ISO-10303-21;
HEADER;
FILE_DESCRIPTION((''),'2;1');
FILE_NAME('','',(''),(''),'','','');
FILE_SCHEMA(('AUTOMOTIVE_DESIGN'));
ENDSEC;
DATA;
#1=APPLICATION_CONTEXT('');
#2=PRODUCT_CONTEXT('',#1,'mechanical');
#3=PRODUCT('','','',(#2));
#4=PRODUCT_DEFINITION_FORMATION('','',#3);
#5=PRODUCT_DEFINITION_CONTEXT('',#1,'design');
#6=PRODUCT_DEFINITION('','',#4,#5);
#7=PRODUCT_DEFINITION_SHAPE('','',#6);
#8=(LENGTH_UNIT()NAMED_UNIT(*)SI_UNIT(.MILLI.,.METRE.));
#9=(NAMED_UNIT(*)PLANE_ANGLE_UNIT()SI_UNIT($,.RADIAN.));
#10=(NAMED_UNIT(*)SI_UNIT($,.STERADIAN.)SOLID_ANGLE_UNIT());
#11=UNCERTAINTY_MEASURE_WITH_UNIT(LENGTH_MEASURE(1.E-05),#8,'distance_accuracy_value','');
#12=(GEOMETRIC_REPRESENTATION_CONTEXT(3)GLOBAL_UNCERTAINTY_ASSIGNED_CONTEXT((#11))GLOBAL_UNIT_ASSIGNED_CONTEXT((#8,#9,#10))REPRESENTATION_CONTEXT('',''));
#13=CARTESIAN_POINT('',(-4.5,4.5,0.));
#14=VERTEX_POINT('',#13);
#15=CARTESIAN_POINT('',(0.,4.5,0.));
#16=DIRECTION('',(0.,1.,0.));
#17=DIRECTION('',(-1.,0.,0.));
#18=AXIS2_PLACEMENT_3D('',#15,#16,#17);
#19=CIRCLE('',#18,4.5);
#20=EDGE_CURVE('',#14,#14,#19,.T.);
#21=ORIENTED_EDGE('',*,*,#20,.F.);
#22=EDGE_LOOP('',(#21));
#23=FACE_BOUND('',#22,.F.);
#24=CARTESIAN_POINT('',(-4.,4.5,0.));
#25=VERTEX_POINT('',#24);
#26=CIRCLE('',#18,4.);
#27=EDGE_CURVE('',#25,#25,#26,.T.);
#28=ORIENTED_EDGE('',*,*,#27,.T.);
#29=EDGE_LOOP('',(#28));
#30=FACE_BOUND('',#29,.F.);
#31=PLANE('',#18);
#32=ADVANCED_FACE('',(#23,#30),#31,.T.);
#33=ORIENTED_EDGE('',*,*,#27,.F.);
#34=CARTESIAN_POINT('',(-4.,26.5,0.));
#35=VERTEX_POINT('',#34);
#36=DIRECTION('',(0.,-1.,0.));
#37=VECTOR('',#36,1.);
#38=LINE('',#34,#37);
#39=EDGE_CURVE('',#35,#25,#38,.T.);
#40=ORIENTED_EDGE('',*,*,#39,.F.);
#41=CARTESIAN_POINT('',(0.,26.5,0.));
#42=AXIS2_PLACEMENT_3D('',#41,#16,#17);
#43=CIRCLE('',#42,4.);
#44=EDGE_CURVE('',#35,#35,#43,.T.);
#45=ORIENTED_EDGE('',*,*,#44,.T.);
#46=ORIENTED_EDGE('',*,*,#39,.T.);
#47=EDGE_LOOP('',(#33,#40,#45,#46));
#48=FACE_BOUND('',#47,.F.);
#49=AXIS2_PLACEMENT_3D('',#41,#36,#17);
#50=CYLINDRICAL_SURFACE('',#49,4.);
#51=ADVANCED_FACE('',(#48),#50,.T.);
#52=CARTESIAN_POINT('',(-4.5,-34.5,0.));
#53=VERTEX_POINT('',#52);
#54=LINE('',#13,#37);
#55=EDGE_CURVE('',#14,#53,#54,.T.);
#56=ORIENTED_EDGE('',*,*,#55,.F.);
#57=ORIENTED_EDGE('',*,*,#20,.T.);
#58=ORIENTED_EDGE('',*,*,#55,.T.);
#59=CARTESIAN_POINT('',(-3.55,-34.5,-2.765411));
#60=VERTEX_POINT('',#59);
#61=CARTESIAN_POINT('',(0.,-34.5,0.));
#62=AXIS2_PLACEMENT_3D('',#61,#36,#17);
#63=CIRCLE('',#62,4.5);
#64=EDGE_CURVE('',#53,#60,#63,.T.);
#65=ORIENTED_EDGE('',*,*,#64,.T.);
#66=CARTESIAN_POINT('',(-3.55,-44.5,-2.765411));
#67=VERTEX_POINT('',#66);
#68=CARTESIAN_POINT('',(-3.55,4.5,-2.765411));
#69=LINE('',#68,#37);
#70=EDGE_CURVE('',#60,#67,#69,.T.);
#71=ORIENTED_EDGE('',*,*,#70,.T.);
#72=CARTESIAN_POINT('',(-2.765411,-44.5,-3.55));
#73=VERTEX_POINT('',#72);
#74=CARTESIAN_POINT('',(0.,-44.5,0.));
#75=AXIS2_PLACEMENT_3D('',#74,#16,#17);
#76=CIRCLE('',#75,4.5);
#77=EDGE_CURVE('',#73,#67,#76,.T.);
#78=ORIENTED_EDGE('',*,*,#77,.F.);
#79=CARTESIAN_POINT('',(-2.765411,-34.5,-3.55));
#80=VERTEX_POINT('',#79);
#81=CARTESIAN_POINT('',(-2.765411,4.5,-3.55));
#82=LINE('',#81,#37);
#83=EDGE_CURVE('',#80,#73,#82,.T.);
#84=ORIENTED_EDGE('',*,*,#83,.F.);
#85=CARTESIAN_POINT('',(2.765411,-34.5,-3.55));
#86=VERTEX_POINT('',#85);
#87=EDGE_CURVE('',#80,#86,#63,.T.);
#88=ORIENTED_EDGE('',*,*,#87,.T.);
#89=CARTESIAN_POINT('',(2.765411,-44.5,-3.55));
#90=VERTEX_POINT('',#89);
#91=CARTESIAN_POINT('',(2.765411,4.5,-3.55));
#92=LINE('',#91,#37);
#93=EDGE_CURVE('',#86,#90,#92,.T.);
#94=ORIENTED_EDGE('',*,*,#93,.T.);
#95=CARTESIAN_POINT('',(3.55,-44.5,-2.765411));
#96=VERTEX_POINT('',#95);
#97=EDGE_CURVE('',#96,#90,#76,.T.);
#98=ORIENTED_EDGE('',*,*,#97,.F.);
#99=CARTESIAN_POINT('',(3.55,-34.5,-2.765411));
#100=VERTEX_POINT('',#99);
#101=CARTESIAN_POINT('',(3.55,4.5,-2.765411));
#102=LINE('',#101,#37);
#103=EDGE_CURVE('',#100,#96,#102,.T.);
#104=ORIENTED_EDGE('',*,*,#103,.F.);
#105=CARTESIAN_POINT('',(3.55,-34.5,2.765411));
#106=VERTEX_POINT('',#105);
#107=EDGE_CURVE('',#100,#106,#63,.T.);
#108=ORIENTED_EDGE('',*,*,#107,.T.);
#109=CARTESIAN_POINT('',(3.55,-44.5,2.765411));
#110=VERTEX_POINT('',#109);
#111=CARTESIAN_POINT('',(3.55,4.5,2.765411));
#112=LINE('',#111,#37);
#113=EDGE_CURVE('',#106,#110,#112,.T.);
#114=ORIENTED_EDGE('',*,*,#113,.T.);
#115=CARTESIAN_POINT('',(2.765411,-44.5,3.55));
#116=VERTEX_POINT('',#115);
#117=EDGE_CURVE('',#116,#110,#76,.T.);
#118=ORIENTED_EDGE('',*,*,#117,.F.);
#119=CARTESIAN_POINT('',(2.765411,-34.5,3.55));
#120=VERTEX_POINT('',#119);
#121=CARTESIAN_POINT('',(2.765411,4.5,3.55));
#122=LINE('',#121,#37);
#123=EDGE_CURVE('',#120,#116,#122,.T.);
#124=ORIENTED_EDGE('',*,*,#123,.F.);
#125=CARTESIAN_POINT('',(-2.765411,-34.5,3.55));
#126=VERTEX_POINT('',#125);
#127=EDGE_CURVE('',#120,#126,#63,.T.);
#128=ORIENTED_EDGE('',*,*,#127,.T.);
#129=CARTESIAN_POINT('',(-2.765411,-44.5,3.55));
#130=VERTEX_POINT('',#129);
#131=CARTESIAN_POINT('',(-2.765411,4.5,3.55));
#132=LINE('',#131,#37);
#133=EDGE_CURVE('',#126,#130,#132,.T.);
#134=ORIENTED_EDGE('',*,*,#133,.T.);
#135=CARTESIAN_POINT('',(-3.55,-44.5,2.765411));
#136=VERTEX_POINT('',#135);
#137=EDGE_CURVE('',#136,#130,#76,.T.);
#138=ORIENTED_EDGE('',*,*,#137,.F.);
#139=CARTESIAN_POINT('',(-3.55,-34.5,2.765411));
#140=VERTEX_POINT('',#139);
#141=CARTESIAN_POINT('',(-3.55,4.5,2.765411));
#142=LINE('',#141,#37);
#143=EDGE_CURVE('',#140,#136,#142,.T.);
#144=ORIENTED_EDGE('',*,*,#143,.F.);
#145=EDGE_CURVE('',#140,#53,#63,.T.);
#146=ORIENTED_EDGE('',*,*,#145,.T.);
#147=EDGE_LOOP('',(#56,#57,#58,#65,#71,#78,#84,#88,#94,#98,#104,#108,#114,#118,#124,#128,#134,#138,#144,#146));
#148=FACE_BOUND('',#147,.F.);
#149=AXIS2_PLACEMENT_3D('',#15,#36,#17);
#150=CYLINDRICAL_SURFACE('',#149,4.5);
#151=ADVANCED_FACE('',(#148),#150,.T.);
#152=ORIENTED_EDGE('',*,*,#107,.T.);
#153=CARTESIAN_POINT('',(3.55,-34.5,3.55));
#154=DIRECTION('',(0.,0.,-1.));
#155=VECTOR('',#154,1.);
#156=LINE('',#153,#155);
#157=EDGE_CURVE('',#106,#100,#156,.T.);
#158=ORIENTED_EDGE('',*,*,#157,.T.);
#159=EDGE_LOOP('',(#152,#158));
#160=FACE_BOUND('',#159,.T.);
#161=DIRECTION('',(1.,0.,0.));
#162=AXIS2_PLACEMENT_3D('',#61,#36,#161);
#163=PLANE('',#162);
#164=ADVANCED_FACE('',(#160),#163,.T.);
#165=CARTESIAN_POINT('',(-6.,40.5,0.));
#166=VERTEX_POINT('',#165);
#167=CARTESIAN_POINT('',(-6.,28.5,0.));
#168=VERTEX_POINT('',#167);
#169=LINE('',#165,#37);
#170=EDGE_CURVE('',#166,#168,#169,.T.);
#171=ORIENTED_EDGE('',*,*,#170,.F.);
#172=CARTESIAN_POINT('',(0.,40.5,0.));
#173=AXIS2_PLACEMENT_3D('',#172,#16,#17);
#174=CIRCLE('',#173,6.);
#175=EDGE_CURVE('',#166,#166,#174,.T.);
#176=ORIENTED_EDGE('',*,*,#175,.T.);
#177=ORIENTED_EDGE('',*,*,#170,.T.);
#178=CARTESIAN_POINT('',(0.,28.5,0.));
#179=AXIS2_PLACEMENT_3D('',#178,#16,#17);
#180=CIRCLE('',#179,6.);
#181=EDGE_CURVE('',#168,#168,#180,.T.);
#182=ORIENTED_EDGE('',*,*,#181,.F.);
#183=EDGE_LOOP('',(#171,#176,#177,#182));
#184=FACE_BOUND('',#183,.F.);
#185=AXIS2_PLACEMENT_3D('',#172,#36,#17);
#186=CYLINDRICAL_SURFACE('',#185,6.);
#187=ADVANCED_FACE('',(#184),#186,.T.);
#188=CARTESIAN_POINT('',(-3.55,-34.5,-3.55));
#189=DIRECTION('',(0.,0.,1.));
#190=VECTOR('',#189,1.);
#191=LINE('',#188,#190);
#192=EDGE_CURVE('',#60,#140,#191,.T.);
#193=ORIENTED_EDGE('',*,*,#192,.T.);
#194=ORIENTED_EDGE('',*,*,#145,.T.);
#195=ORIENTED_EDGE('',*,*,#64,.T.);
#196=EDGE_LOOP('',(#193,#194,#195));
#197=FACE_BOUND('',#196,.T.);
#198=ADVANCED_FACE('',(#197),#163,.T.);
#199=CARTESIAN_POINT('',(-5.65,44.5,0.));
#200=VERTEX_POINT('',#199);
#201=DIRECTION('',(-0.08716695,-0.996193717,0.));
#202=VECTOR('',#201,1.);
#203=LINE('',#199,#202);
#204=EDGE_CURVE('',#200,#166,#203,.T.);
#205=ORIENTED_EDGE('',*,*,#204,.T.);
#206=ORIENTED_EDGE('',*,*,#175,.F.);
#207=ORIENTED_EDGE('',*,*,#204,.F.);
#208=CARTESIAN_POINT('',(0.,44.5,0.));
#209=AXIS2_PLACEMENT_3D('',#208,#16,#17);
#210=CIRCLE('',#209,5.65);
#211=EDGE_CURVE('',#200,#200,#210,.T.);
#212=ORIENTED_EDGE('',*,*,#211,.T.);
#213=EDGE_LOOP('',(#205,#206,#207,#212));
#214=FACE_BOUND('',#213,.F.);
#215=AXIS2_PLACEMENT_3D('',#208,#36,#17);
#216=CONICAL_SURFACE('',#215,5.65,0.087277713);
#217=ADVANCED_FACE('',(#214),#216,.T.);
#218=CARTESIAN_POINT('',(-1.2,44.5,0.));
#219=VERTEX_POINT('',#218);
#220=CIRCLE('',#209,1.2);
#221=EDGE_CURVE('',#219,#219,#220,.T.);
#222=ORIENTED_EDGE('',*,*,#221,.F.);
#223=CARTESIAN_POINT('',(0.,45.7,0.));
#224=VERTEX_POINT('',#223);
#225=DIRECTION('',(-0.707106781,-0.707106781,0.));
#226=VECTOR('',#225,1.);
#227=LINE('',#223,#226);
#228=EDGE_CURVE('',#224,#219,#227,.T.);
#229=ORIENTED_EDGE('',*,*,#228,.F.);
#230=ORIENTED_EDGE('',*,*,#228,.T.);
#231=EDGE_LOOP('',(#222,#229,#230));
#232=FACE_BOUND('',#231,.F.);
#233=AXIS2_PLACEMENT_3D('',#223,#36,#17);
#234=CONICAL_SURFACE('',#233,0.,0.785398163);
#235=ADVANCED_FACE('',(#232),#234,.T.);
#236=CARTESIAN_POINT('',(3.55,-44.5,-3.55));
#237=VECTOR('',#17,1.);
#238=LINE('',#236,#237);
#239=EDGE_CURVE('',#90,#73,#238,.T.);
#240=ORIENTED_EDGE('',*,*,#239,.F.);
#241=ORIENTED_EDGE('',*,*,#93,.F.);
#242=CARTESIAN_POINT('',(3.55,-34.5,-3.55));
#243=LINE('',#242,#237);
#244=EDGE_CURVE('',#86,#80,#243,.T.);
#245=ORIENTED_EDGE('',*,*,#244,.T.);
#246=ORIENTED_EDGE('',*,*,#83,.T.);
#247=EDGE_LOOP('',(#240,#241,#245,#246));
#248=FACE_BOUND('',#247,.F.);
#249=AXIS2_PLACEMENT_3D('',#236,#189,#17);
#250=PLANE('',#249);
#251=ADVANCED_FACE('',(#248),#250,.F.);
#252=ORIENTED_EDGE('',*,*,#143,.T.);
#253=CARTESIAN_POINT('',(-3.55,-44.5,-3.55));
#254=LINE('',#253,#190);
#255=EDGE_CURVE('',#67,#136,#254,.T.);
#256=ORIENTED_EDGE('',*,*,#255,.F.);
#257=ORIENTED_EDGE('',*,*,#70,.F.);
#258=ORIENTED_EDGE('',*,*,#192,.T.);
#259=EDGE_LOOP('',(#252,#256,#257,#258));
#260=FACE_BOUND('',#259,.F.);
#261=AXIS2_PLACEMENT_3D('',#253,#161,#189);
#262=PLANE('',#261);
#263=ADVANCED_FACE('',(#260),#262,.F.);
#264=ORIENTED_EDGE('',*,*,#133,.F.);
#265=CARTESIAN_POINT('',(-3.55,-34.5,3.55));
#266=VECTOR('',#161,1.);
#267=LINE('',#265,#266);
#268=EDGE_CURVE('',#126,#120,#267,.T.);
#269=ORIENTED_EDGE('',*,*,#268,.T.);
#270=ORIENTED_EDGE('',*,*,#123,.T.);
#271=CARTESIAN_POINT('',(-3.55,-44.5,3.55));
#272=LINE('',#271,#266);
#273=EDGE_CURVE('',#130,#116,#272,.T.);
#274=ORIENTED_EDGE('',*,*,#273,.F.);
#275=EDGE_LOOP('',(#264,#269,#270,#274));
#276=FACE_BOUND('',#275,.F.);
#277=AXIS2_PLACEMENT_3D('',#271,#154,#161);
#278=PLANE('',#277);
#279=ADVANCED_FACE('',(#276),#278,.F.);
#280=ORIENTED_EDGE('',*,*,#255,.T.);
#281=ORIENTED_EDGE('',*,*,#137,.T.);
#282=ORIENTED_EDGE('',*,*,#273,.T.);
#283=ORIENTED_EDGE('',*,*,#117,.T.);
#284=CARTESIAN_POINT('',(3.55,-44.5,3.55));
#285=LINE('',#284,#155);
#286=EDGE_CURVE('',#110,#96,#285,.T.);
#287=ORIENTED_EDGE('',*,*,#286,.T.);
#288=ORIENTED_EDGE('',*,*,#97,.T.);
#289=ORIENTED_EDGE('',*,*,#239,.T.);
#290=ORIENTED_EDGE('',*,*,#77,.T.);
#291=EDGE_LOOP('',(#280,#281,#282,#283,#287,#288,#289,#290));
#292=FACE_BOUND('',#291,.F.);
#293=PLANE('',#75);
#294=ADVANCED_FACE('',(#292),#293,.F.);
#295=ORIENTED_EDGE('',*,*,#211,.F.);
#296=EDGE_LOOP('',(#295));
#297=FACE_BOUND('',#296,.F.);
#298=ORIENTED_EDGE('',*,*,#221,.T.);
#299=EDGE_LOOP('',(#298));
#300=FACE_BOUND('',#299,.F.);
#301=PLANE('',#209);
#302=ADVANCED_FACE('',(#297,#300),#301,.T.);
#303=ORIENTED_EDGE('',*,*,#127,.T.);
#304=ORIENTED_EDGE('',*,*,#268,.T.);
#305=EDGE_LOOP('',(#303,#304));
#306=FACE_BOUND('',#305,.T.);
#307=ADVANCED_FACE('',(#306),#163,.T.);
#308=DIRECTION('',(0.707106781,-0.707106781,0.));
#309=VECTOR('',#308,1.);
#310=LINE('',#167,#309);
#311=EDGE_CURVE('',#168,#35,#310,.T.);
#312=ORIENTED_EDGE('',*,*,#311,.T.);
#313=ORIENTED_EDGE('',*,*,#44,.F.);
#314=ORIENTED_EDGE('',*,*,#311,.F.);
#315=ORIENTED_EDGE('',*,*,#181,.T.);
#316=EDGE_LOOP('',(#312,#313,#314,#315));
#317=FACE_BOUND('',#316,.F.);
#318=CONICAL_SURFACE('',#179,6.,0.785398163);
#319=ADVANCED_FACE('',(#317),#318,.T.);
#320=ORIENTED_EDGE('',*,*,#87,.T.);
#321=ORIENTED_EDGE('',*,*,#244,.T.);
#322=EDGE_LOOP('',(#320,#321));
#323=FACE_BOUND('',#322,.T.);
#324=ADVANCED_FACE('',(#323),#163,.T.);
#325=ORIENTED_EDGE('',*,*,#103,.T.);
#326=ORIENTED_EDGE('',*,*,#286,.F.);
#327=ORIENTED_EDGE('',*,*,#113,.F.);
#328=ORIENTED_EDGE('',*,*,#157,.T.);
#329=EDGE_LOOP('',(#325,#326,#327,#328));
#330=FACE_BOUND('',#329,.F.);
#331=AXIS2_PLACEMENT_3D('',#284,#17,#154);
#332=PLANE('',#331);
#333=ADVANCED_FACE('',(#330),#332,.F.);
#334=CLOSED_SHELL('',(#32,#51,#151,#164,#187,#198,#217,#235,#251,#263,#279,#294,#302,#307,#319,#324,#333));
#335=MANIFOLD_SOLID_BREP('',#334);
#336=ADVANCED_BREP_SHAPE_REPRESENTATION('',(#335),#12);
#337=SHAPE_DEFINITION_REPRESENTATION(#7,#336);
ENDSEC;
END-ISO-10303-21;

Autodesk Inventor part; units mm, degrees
ref_plane "YZ Plane" through (0, 0, 0) normal (1, 0, 0) x (0, 1, 0)
ref_plane "XZ Plane" through (0, 0, 0) normal (0, 1, 0) x (-1, 0, 0)
ref_plane "XY Plane" through (0, 0, 0) normal (0, 0, 1) x (1, 0, 0)
sketch "Sketch1" plane through (0, 0, 0) normal (0, 0, 1) x (1, 0, 0)
  line L0 (-7.2, 0) -> (1.2, 0) construction
  line L1 (0, -62.54) -> (0, 63.74) projected
  line L2 (0, 45.7) -> (-1.2, 44.5)
  line L3 (-1.2, 44.5) -> (-5.65, 44.5)
  line L4 (-5.65, 44.5) -> (-6, 40.5)
  line L5 (-6, 40.5) -> (-6, 28.5)
  line L6 (-4, 26.5) -> (-4, 4.5)
  line L7 (-4, 4.5) -> (-4.5, 4.5)
  line L8 (-4.5, 4.5) -> (-4.5, -44.5)
  line L9 (-4.5, -44.5) -> (0, -44.5)
  line L10 (-6, 28.5) -> (-4, 26.5)
  point P0 (0, 0)
  dimension "tdz" = 12
  dimension "d1" = 45
  dimension "d2" = 5
  dimension "thl" = 16
  dimension "lu" = 40
  dimension "oal" = 89
  dimension "d6" = 1.2
  dimension "d7" = 4
  dimension "dconms" = 9
  dimension "d9" = 8
  dimension "d11" = 45
revolve "Revolution1" add sketch "Sketch1" angle 360 about axis through (0, -10, 0) along (0, 1, 0)
sketch "Sketch2" plane through (0, -44.5, 0) normal (0, -1, 0) x (1, 0, 0)
  circle A0 centre (0, 0) radius 4.5 construction
  line L0 (3.55, 3.55) -> (3.55, -3.55)
  line L1 (3.55, -3.55) -> (-3.55, -3.55)
  line L2 (-3.55, -3.55) -> (-3.55, 3.55)
  line L3 (-3.55, 3.55) -> (3.55, 3.55)
  circle A1 centre (0, 0) radius 6 projected
  dimension "d12" = 7.1
extrude "Extrusion1" cut sketch "Sketch2" against normal blind 10
equation "\"d6\" = 0.1 * tdz"
equation "\"d7\" = 0.25 * thl"
properties part number "Tap"
